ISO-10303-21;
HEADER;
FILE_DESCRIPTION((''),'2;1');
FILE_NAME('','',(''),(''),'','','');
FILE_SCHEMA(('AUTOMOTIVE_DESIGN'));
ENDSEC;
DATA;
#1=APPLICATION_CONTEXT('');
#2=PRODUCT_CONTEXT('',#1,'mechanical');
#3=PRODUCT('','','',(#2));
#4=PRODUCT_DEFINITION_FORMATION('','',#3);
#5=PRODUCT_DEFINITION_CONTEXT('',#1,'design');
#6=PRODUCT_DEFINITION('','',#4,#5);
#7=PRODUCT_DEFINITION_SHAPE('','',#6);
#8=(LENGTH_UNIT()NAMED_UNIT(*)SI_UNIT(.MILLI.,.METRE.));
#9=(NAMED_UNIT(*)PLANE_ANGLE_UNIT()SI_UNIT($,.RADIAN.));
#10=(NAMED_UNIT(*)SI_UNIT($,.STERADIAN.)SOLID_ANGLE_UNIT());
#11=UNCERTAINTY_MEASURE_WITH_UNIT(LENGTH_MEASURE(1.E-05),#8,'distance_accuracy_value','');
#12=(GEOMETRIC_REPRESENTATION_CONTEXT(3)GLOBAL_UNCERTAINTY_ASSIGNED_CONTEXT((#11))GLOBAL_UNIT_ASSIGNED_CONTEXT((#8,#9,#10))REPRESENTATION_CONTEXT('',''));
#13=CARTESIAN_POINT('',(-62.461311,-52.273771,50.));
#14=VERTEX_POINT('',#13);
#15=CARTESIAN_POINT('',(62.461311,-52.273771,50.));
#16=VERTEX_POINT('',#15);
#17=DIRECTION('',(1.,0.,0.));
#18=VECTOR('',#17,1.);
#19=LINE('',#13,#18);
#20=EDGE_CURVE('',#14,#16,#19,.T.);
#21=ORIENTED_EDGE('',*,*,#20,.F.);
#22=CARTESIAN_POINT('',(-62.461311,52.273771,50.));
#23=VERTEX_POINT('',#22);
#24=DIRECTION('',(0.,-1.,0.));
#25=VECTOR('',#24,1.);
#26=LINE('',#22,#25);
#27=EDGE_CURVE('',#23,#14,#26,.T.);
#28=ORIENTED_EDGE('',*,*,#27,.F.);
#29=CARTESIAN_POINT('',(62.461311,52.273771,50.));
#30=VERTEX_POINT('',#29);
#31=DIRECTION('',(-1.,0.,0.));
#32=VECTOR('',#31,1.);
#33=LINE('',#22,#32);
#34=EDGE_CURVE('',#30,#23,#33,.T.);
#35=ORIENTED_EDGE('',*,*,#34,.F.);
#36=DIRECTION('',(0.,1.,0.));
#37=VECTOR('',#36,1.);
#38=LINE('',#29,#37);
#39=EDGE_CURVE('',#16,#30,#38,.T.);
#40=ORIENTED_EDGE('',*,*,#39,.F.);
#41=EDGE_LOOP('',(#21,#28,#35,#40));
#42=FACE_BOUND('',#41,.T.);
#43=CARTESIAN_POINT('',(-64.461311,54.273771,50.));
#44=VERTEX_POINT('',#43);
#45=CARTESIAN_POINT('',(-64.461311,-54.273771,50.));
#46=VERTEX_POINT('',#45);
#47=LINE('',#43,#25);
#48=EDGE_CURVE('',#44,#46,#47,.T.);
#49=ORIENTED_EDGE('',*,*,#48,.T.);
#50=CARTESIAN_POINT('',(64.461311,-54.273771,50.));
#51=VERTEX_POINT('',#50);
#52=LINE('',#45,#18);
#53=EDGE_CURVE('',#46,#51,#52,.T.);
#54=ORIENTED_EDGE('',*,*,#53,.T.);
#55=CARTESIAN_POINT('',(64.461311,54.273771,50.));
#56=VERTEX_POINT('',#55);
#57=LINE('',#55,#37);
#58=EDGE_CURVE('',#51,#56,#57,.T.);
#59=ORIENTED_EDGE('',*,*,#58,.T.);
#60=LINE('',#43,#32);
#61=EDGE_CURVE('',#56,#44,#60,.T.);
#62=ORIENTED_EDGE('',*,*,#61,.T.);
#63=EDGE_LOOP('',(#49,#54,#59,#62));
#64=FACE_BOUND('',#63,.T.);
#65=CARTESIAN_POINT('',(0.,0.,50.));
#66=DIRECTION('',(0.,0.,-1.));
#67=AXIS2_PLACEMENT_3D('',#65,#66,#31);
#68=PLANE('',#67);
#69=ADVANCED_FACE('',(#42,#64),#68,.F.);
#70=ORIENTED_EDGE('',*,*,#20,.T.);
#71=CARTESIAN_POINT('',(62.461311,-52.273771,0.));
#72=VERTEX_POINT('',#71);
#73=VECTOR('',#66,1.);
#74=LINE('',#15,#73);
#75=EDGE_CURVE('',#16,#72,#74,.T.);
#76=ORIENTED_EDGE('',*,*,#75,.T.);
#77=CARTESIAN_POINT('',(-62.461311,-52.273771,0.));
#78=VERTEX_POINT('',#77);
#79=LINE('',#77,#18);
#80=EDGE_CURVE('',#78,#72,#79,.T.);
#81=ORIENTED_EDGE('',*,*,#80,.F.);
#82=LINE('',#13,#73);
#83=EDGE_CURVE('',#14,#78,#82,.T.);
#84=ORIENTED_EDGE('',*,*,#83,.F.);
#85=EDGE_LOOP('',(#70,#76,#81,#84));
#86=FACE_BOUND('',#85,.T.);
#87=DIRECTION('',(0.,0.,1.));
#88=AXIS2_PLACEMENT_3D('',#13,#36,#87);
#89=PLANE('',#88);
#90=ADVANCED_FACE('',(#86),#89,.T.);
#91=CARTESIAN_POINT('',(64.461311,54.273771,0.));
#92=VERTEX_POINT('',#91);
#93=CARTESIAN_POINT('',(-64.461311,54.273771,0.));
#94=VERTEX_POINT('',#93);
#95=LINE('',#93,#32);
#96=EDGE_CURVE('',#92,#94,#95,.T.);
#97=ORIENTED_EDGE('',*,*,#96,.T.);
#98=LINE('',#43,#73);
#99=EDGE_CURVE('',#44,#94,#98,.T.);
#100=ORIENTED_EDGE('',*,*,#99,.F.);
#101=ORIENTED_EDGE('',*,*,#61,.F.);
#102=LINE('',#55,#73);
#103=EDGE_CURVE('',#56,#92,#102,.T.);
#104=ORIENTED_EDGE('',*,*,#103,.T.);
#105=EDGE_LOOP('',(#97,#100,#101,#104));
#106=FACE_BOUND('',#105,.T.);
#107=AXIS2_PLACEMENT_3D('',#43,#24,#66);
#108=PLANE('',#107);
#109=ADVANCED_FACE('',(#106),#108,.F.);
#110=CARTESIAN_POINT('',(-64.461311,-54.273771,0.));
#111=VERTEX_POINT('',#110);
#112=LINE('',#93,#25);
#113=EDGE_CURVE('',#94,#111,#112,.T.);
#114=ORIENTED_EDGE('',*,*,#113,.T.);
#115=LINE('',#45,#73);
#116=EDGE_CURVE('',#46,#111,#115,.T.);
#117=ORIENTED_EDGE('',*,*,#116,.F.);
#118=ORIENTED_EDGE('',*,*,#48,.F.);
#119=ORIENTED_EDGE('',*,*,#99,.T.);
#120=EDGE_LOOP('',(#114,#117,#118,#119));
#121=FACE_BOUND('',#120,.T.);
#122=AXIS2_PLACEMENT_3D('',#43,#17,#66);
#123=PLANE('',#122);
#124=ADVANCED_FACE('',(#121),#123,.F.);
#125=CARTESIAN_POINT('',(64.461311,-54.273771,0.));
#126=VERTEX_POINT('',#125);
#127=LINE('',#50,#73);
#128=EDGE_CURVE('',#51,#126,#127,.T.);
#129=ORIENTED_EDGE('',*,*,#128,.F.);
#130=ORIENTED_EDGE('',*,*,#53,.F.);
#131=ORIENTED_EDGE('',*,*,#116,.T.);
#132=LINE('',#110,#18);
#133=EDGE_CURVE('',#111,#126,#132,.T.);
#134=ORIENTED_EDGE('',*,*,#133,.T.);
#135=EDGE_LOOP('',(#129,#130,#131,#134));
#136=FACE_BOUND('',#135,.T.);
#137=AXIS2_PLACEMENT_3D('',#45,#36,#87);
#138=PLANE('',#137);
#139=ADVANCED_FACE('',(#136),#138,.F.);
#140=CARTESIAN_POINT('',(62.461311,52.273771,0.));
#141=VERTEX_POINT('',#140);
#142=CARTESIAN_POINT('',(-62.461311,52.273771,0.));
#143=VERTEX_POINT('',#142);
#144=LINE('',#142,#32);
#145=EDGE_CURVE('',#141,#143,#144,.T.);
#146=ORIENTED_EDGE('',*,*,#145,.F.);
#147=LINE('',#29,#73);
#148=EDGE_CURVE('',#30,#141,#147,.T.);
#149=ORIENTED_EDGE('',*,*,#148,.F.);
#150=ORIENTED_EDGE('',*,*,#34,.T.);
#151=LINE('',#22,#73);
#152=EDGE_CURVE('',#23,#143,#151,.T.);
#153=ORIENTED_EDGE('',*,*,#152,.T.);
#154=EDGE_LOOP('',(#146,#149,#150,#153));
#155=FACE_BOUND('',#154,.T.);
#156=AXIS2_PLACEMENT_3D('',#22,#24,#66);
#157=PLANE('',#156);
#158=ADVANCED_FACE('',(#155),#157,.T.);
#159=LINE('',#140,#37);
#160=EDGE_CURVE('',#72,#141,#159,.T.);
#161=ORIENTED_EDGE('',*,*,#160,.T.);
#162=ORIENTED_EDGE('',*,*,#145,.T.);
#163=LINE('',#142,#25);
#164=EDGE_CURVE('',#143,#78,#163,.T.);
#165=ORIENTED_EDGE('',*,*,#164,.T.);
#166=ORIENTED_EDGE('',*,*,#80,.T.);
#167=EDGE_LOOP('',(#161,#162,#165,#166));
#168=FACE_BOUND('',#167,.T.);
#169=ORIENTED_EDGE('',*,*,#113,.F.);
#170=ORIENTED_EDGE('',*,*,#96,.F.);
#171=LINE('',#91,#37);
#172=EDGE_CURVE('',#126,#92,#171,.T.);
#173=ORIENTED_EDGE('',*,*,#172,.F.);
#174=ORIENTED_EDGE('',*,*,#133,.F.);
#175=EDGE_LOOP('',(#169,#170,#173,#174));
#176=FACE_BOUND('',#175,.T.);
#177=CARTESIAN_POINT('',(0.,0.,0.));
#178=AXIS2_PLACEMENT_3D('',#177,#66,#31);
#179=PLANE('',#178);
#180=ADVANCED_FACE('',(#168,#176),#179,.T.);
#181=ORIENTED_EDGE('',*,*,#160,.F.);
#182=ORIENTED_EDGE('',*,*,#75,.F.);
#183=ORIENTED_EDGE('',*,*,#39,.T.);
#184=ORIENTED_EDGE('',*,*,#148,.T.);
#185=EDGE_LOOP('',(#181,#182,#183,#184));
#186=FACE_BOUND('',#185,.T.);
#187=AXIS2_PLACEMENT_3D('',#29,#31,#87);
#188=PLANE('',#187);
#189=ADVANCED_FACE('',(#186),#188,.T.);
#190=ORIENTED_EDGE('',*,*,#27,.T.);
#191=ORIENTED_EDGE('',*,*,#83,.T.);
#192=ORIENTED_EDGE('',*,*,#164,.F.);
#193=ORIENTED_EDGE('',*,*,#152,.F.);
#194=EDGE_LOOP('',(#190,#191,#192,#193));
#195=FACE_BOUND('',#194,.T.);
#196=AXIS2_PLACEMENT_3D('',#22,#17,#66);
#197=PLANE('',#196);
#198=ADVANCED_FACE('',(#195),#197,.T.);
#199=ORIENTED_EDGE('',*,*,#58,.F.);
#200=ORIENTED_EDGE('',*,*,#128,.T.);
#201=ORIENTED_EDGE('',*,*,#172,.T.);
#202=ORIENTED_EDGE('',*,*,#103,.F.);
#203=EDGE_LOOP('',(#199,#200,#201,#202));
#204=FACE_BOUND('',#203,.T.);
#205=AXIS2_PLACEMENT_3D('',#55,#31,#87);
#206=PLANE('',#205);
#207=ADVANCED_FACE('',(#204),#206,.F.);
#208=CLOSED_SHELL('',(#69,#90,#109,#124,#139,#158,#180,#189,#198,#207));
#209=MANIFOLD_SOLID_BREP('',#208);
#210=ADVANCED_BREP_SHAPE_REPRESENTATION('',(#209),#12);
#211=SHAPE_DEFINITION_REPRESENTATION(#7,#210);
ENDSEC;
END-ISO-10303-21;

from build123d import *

# Parameters (mm, degrees)
SKETCH1_W             = 128.922622712
SKETCH1_H             = 108.547542538
SKETCH1_W_2           = 124.922622712
SKETCH1_H_2           = 104.547542538
BOSS_EXTRUDE1_DEPTH   = 50
SKETCH2_R             = 48.496570744
BOSS_EXTRUDE2_DEPTH   = 50
SKETCH3_R             = 6.994110628
BOSS_EXTRUDE3_DEPTH   = 20
SKETCH3_R_2           = 6.120691225
BOSS_EXTRUDE3_2_DEPTH = 20


with BuildPart() as part:
    # Sketch1 → Boss-Extrude1 (new body)
    with BuildSketch(Plane.XY):
        Rectangle(SKETCH1_W, SKETCH1_H)
        Rectangle(SKETCH1_W_2, SKETCH1_H_2, mode=Mode.SUBTRACT)
    extrude(amount=BOSS_EXTRUDE1_DEPTH)


with BuildPart() as body_2:
    # Sketch2 → Boss-Extrude2 (new body)
    with BuildSketch(Plane.XY):
        with Locations(Location((0, 0, 0), (0, 0, 180))):
            Circle(SKETCH2_R)
    extrude(amount=BOSS_EXTRUDE2_DEPTH)


with BuildPart() as body_3:
    # Sketch3 → Boss-Extrude3 (new body)
    with BuildSketch(Plane.XY):
        with Locations((-51.126362865, 41.516845757)):
            Circle(SKETCH3_R)
    extrude(amount=BOSS_EXTRUDE3_DEPTH)


with BuildPart() as body_4:
    # Sketch3 → Boss-Extrude3 2 (new body)
    with BuildSketch(Plane.XY):
        with Locations((46.461548735, 43.755956539)):
            Circle(SKETCH3_R_2)
    extrude(amount=BOSS_EXTRUDE3_2_DEPTH)


solid = part.part
